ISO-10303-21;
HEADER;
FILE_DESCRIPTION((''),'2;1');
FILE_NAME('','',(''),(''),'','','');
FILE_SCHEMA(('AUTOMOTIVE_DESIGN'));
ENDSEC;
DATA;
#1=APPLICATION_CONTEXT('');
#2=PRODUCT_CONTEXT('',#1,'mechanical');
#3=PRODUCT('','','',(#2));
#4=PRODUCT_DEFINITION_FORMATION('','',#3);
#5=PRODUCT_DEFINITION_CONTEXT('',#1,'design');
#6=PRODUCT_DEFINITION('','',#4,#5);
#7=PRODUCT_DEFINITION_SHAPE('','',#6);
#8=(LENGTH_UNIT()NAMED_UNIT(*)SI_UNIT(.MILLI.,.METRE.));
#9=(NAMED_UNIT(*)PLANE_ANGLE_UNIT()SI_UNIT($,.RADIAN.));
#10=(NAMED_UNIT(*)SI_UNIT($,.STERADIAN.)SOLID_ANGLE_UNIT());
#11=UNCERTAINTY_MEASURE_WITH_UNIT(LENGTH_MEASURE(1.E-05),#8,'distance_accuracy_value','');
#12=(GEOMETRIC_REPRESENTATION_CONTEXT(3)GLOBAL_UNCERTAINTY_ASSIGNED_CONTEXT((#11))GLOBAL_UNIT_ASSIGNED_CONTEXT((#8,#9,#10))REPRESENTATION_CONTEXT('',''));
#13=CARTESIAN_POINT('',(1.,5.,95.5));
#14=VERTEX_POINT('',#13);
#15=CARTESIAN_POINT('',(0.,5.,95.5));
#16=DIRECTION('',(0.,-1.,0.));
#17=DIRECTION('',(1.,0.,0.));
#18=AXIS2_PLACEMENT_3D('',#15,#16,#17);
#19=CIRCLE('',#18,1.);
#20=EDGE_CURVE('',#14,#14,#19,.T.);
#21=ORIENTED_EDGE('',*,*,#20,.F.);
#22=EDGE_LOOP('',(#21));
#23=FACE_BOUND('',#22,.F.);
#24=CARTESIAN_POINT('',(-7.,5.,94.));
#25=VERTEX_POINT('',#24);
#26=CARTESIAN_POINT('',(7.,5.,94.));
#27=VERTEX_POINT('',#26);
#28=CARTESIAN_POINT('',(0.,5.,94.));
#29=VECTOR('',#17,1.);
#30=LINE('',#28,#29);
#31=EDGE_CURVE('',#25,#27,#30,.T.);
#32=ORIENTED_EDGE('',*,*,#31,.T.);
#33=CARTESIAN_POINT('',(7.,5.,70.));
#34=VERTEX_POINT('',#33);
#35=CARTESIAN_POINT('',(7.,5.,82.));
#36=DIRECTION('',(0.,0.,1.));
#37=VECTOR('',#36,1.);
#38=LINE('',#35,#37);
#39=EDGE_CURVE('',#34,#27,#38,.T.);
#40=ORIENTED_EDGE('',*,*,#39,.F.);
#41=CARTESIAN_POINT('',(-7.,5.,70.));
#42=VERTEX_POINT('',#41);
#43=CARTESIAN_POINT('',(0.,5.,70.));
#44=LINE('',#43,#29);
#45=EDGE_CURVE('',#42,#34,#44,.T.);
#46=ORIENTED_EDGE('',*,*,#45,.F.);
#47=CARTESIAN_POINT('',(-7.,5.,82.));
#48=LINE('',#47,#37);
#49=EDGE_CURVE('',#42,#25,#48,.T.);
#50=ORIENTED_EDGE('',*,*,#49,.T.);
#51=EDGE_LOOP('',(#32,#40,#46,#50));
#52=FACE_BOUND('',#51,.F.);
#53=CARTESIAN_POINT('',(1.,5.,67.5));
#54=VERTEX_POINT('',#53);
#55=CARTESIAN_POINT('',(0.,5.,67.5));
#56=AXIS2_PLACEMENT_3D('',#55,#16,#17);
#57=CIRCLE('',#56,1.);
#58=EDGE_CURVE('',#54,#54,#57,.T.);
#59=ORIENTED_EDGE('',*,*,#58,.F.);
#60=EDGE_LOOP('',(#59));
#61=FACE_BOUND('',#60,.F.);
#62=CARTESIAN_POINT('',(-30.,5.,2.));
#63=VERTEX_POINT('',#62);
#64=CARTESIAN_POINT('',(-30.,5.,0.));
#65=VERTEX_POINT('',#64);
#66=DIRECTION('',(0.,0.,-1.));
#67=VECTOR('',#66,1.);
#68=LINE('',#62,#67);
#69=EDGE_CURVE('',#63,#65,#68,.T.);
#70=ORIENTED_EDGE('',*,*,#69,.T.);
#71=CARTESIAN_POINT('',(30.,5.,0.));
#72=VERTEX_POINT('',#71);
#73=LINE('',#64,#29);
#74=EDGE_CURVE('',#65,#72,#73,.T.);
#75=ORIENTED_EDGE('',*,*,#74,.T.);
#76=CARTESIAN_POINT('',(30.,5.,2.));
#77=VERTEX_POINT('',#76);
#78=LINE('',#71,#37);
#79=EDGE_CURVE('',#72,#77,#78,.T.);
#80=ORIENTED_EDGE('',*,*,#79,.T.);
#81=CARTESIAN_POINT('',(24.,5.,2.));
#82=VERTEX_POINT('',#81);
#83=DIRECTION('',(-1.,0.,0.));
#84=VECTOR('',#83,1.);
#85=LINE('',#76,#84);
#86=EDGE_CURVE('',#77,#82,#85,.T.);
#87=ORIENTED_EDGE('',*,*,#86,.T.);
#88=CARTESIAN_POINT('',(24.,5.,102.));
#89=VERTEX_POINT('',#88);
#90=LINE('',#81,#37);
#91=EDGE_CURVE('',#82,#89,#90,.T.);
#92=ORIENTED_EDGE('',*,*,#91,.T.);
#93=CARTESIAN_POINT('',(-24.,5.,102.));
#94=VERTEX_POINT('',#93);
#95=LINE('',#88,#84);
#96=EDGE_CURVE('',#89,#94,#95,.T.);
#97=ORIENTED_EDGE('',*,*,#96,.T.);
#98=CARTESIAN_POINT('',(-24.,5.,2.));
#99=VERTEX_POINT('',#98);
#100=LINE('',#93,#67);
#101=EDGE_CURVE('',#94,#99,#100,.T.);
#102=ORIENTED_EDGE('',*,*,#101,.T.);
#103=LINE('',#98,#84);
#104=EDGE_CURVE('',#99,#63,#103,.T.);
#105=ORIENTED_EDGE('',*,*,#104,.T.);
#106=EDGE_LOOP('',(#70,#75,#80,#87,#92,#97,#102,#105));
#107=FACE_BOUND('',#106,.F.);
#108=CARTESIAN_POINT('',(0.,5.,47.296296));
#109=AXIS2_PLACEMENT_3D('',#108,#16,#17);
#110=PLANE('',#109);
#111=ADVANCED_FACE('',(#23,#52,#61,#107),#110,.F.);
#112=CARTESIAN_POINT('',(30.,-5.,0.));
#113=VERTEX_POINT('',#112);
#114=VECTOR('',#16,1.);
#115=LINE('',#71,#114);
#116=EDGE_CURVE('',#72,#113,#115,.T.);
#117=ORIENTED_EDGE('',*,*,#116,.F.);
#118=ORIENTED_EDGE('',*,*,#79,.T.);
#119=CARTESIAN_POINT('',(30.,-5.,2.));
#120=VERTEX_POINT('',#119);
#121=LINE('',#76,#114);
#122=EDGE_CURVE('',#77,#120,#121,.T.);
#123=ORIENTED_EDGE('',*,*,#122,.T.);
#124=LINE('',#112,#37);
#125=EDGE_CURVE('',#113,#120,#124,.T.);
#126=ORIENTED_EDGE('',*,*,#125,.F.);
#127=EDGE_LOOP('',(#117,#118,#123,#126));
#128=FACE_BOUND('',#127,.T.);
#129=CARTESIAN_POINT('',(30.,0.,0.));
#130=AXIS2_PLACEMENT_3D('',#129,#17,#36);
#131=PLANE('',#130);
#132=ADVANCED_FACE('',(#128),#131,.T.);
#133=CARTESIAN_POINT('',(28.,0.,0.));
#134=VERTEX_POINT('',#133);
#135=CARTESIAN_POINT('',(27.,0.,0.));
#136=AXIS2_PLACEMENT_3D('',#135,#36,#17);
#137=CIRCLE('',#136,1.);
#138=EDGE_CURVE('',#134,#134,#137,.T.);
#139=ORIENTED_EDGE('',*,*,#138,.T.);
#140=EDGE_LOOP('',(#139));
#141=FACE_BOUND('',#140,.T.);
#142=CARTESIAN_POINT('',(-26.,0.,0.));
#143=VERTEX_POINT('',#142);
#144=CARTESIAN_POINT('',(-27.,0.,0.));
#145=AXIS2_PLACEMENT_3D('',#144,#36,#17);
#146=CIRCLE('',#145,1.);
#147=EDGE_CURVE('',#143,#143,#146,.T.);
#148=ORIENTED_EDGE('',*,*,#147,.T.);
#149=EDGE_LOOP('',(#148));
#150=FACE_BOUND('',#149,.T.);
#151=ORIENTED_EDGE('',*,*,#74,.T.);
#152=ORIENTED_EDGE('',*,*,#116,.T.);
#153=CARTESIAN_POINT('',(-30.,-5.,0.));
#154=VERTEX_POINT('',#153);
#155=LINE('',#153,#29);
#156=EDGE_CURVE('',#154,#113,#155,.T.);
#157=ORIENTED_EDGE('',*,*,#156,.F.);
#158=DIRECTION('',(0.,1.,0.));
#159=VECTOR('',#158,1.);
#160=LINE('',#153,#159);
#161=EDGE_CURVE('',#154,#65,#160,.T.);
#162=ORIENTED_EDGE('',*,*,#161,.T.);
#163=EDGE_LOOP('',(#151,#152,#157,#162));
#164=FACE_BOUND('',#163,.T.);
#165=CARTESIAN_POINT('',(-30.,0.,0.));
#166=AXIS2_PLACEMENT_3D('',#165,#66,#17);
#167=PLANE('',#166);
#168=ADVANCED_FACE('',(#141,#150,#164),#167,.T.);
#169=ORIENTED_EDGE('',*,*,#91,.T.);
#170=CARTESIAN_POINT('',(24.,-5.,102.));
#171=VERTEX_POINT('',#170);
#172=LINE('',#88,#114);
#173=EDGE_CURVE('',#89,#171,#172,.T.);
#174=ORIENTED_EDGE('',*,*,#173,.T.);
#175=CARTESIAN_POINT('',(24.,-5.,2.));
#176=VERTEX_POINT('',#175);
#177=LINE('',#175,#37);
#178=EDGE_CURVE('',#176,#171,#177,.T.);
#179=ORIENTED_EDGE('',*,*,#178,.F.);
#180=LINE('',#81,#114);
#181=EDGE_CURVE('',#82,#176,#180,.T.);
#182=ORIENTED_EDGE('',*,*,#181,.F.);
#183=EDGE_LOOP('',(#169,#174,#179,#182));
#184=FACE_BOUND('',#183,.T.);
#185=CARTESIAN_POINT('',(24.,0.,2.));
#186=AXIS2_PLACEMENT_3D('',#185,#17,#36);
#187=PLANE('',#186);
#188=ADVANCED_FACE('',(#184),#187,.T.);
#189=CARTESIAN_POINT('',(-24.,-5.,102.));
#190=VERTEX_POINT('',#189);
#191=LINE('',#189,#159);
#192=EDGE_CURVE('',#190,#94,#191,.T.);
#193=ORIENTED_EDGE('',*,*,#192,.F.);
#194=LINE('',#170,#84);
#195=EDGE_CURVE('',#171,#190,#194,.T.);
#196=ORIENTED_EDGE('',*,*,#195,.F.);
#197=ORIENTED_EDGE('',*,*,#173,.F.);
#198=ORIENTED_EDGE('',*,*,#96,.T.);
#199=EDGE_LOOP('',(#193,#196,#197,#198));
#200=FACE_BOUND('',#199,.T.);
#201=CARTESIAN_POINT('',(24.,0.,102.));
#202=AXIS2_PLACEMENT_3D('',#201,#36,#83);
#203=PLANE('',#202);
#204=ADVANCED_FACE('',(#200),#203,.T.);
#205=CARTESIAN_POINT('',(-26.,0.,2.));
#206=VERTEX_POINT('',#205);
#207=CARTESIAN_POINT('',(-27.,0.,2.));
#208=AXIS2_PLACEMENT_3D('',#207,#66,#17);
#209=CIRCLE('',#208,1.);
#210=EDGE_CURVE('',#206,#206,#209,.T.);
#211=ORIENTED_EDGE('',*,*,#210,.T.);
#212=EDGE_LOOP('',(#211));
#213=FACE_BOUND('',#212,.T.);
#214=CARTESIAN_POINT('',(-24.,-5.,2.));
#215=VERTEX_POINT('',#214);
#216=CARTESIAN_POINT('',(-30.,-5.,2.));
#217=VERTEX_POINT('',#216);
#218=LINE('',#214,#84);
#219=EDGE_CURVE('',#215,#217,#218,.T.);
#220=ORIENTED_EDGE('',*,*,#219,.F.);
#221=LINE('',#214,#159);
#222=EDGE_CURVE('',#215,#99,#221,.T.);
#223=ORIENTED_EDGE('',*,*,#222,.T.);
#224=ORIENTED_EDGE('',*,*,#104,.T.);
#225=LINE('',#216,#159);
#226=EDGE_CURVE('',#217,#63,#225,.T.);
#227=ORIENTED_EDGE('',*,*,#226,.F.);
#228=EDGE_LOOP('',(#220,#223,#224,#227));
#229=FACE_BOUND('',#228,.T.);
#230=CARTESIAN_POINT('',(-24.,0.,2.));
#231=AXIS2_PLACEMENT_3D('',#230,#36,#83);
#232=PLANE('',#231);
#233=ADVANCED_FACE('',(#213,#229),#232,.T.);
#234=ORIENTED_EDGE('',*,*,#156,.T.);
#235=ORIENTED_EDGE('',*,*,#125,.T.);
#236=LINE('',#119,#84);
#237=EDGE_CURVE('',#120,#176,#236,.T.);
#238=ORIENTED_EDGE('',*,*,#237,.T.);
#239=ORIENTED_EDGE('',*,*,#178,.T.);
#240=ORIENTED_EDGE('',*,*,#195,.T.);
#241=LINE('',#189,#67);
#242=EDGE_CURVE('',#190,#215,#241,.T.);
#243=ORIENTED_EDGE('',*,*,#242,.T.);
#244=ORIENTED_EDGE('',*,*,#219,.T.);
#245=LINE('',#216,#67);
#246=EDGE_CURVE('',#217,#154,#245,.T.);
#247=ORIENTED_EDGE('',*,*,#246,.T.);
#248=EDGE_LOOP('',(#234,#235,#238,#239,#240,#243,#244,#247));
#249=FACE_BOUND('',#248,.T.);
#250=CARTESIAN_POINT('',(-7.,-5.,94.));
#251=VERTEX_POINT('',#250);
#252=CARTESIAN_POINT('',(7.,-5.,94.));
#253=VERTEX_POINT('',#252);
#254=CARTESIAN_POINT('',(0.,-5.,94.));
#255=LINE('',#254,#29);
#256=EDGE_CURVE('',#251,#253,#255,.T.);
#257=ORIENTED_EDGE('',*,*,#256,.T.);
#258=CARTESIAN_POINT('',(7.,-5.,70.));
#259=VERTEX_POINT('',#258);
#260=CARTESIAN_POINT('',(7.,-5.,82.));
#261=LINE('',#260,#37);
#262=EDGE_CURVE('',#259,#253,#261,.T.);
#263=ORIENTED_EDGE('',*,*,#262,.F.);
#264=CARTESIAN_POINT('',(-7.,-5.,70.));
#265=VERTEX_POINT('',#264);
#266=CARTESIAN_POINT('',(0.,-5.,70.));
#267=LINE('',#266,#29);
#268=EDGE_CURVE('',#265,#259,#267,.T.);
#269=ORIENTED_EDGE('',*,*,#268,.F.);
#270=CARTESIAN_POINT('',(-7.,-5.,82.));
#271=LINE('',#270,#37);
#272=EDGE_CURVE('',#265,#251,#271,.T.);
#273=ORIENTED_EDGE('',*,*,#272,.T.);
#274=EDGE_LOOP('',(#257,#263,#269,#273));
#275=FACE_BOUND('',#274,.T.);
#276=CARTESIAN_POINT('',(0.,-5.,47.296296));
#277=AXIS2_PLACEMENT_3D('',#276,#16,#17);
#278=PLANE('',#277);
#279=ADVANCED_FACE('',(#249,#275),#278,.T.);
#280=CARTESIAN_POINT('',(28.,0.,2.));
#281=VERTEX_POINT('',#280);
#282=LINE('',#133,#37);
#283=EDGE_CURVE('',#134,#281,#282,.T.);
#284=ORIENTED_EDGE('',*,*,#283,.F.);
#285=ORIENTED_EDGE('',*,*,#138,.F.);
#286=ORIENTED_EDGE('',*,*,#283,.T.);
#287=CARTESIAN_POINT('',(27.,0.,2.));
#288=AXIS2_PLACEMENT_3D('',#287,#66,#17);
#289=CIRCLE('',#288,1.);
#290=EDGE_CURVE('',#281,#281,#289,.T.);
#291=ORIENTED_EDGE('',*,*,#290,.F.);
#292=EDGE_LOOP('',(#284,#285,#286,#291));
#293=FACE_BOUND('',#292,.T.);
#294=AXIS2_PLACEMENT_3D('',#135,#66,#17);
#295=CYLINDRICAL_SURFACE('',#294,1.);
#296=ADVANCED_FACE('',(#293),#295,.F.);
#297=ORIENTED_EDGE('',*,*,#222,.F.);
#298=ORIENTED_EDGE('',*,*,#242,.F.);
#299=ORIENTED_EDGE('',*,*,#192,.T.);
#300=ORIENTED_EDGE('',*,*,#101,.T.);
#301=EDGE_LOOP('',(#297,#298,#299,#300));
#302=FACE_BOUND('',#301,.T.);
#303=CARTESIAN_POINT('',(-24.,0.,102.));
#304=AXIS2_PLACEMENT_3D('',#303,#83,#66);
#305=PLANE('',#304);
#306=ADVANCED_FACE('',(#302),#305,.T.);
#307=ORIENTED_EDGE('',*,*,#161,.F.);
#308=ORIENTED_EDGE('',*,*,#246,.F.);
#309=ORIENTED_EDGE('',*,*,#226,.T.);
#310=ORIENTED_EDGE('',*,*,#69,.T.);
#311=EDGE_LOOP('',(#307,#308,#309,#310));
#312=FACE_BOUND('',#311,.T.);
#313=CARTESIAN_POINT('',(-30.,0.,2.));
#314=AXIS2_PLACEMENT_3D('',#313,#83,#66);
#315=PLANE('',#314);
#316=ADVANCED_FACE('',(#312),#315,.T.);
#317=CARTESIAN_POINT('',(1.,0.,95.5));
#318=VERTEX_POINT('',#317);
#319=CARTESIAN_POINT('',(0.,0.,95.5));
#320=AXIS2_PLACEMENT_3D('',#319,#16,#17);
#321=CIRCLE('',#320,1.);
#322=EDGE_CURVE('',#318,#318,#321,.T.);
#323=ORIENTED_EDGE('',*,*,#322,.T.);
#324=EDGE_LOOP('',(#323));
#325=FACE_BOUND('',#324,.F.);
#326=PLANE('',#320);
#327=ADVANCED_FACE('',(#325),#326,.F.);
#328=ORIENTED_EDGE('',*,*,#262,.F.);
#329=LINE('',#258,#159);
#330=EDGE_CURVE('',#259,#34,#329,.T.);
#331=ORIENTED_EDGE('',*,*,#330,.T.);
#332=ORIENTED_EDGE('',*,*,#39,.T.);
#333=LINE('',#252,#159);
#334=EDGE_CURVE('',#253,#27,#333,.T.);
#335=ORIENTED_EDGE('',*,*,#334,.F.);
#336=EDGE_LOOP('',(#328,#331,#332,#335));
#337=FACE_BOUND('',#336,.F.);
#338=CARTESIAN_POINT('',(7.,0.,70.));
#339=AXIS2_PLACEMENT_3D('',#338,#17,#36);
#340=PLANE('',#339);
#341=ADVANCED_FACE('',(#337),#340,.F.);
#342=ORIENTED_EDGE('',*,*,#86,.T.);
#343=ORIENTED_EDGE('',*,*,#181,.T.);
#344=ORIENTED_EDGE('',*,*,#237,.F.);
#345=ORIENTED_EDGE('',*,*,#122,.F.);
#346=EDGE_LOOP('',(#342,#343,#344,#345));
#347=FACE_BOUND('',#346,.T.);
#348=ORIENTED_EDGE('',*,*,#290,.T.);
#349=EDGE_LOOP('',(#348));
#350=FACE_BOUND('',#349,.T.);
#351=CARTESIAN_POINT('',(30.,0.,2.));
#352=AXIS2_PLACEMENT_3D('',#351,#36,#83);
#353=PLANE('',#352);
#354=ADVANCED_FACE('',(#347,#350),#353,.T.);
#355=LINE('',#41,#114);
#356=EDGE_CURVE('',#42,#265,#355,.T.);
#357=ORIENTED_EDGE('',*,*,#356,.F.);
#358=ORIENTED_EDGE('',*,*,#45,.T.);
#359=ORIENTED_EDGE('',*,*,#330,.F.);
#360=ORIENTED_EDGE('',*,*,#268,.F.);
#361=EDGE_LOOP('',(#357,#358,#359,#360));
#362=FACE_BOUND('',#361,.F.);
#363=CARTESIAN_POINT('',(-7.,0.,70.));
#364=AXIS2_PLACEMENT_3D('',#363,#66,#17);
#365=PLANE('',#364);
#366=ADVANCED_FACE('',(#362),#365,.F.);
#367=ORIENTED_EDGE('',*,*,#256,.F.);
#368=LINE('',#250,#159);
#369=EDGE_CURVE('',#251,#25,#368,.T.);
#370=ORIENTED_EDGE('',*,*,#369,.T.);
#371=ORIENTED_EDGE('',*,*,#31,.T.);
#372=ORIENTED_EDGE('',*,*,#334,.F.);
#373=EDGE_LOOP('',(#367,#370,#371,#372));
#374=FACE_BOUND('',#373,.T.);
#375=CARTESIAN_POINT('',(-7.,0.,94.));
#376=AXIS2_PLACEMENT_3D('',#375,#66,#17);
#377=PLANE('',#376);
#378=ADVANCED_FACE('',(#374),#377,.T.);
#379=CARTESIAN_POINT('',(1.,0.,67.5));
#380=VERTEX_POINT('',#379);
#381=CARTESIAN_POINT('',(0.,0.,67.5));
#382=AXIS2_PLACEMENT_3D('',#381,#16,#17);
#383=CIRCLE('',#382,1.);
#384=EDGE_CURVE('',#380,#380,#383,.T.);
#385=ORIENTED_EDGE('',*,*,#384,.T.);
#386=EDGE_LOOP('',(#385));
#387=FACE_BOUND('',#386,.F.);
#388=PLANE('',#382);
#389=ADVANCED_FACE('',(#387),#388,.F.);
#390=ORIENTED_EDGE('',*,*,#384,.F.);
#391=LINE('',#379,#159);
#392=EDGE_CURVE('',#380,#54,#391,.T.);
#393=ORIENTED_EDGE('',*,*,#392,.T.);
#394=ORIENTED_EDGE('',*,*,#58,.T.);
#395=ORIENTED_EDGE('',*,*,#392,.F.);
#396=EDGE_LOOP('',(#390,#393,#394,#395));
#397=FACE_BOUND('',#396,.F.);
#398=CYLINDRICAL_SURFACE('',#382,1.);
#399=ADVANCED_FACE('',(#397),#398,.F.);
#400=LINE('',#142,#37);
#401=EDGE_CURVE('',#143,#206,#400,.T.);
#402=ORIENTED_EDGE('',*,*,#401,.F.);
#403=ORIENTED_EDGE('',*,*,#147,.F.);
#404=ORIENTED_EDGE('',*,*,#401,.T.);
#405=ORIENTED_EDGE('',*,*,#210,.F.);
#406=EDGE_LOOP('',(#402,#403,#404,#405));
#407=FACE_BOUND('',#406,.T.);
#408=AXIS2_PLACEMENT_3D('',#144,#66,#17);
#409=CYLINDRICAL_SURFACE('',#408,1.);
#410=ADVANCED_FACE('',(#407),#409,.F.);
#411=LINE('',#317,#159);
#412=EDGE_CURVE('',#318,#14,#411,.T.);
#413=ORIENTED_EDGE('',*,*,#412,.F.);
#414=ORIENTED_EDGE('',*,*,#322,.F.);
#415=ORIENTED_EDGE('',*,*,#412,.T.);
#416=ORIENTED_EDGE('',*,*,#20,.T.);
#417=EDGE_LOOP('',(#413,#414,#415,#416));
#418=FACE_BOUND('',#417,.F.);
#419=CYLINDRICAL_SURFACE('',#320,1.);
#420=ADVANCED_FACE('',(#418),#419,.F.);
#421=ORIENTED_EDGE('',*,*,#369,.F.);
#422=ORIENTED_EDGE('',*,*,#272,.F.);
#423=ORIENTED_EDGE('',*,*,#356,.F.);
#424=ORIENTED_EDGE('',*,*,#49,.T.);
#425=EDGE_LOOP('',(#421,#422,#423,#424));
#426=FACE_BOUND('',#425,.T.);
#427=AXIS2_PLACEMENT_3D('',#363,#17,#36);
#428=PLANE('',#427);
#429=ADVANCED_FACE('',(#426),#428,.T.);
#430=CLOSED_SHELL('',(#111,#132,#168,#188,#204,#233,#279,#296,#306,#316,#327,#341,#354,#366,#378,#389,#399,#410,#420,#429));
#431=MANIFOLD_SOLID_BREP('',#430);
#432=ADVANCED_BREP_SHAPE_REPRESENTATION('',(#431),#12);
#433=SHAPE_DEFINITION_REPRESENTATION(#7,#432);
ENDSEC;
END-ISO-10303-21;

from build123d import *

# Parameters (mm, degrees)
SKETCH_W        = 14
SKETCH_H        = 24
PAD_DEPTH       = 5
SKETCH003_R     = 1
POCKET_DEPTH    = 5
SKETCH004_R     = 1
POCKET001_DEPTH = 6


with BuildPart() as part:
    # Sketch → Pad (new body, symmetric)
    with BuildSketch(Plane.XZ):
        Polygon((-30, 0), (30, 0), (30, 2), (24, 2), (24, 102), (-24, 102), (-24, 2), (-30, 2), align=None)
        with Locations((0, 82)):
            Rectangle(SKETCH_W, SKETCH_H, mode=Mode.SUBTRACT)
    extrude(amount=PAD_DEPTH, both=True)

    # Sketch003 → Pocket (cut)
    with BuildSketch(Plane.XY):
        with Locations((-27, 0)):
            Circle(SKETCH003_R)
        with Locations((27, 0)):
            Circle(SKETCH003_R)
    extrude(amount=POCKET_DEPTH, mode=Mode.SUBTRACT)

    # Sketch004 → Pocket001 (cut)
    with BuildSketch(Plane.XZ):
        with Locations((0, 67.5)):
            Circle(SKETCH004_R)
        with Locations((0, 95.5)):
            Circle(SKETCH004_R)
    extrude(amount=-POCKET001_DEPTH, mode=Mode.SUBTRACT)


solid = part.part
